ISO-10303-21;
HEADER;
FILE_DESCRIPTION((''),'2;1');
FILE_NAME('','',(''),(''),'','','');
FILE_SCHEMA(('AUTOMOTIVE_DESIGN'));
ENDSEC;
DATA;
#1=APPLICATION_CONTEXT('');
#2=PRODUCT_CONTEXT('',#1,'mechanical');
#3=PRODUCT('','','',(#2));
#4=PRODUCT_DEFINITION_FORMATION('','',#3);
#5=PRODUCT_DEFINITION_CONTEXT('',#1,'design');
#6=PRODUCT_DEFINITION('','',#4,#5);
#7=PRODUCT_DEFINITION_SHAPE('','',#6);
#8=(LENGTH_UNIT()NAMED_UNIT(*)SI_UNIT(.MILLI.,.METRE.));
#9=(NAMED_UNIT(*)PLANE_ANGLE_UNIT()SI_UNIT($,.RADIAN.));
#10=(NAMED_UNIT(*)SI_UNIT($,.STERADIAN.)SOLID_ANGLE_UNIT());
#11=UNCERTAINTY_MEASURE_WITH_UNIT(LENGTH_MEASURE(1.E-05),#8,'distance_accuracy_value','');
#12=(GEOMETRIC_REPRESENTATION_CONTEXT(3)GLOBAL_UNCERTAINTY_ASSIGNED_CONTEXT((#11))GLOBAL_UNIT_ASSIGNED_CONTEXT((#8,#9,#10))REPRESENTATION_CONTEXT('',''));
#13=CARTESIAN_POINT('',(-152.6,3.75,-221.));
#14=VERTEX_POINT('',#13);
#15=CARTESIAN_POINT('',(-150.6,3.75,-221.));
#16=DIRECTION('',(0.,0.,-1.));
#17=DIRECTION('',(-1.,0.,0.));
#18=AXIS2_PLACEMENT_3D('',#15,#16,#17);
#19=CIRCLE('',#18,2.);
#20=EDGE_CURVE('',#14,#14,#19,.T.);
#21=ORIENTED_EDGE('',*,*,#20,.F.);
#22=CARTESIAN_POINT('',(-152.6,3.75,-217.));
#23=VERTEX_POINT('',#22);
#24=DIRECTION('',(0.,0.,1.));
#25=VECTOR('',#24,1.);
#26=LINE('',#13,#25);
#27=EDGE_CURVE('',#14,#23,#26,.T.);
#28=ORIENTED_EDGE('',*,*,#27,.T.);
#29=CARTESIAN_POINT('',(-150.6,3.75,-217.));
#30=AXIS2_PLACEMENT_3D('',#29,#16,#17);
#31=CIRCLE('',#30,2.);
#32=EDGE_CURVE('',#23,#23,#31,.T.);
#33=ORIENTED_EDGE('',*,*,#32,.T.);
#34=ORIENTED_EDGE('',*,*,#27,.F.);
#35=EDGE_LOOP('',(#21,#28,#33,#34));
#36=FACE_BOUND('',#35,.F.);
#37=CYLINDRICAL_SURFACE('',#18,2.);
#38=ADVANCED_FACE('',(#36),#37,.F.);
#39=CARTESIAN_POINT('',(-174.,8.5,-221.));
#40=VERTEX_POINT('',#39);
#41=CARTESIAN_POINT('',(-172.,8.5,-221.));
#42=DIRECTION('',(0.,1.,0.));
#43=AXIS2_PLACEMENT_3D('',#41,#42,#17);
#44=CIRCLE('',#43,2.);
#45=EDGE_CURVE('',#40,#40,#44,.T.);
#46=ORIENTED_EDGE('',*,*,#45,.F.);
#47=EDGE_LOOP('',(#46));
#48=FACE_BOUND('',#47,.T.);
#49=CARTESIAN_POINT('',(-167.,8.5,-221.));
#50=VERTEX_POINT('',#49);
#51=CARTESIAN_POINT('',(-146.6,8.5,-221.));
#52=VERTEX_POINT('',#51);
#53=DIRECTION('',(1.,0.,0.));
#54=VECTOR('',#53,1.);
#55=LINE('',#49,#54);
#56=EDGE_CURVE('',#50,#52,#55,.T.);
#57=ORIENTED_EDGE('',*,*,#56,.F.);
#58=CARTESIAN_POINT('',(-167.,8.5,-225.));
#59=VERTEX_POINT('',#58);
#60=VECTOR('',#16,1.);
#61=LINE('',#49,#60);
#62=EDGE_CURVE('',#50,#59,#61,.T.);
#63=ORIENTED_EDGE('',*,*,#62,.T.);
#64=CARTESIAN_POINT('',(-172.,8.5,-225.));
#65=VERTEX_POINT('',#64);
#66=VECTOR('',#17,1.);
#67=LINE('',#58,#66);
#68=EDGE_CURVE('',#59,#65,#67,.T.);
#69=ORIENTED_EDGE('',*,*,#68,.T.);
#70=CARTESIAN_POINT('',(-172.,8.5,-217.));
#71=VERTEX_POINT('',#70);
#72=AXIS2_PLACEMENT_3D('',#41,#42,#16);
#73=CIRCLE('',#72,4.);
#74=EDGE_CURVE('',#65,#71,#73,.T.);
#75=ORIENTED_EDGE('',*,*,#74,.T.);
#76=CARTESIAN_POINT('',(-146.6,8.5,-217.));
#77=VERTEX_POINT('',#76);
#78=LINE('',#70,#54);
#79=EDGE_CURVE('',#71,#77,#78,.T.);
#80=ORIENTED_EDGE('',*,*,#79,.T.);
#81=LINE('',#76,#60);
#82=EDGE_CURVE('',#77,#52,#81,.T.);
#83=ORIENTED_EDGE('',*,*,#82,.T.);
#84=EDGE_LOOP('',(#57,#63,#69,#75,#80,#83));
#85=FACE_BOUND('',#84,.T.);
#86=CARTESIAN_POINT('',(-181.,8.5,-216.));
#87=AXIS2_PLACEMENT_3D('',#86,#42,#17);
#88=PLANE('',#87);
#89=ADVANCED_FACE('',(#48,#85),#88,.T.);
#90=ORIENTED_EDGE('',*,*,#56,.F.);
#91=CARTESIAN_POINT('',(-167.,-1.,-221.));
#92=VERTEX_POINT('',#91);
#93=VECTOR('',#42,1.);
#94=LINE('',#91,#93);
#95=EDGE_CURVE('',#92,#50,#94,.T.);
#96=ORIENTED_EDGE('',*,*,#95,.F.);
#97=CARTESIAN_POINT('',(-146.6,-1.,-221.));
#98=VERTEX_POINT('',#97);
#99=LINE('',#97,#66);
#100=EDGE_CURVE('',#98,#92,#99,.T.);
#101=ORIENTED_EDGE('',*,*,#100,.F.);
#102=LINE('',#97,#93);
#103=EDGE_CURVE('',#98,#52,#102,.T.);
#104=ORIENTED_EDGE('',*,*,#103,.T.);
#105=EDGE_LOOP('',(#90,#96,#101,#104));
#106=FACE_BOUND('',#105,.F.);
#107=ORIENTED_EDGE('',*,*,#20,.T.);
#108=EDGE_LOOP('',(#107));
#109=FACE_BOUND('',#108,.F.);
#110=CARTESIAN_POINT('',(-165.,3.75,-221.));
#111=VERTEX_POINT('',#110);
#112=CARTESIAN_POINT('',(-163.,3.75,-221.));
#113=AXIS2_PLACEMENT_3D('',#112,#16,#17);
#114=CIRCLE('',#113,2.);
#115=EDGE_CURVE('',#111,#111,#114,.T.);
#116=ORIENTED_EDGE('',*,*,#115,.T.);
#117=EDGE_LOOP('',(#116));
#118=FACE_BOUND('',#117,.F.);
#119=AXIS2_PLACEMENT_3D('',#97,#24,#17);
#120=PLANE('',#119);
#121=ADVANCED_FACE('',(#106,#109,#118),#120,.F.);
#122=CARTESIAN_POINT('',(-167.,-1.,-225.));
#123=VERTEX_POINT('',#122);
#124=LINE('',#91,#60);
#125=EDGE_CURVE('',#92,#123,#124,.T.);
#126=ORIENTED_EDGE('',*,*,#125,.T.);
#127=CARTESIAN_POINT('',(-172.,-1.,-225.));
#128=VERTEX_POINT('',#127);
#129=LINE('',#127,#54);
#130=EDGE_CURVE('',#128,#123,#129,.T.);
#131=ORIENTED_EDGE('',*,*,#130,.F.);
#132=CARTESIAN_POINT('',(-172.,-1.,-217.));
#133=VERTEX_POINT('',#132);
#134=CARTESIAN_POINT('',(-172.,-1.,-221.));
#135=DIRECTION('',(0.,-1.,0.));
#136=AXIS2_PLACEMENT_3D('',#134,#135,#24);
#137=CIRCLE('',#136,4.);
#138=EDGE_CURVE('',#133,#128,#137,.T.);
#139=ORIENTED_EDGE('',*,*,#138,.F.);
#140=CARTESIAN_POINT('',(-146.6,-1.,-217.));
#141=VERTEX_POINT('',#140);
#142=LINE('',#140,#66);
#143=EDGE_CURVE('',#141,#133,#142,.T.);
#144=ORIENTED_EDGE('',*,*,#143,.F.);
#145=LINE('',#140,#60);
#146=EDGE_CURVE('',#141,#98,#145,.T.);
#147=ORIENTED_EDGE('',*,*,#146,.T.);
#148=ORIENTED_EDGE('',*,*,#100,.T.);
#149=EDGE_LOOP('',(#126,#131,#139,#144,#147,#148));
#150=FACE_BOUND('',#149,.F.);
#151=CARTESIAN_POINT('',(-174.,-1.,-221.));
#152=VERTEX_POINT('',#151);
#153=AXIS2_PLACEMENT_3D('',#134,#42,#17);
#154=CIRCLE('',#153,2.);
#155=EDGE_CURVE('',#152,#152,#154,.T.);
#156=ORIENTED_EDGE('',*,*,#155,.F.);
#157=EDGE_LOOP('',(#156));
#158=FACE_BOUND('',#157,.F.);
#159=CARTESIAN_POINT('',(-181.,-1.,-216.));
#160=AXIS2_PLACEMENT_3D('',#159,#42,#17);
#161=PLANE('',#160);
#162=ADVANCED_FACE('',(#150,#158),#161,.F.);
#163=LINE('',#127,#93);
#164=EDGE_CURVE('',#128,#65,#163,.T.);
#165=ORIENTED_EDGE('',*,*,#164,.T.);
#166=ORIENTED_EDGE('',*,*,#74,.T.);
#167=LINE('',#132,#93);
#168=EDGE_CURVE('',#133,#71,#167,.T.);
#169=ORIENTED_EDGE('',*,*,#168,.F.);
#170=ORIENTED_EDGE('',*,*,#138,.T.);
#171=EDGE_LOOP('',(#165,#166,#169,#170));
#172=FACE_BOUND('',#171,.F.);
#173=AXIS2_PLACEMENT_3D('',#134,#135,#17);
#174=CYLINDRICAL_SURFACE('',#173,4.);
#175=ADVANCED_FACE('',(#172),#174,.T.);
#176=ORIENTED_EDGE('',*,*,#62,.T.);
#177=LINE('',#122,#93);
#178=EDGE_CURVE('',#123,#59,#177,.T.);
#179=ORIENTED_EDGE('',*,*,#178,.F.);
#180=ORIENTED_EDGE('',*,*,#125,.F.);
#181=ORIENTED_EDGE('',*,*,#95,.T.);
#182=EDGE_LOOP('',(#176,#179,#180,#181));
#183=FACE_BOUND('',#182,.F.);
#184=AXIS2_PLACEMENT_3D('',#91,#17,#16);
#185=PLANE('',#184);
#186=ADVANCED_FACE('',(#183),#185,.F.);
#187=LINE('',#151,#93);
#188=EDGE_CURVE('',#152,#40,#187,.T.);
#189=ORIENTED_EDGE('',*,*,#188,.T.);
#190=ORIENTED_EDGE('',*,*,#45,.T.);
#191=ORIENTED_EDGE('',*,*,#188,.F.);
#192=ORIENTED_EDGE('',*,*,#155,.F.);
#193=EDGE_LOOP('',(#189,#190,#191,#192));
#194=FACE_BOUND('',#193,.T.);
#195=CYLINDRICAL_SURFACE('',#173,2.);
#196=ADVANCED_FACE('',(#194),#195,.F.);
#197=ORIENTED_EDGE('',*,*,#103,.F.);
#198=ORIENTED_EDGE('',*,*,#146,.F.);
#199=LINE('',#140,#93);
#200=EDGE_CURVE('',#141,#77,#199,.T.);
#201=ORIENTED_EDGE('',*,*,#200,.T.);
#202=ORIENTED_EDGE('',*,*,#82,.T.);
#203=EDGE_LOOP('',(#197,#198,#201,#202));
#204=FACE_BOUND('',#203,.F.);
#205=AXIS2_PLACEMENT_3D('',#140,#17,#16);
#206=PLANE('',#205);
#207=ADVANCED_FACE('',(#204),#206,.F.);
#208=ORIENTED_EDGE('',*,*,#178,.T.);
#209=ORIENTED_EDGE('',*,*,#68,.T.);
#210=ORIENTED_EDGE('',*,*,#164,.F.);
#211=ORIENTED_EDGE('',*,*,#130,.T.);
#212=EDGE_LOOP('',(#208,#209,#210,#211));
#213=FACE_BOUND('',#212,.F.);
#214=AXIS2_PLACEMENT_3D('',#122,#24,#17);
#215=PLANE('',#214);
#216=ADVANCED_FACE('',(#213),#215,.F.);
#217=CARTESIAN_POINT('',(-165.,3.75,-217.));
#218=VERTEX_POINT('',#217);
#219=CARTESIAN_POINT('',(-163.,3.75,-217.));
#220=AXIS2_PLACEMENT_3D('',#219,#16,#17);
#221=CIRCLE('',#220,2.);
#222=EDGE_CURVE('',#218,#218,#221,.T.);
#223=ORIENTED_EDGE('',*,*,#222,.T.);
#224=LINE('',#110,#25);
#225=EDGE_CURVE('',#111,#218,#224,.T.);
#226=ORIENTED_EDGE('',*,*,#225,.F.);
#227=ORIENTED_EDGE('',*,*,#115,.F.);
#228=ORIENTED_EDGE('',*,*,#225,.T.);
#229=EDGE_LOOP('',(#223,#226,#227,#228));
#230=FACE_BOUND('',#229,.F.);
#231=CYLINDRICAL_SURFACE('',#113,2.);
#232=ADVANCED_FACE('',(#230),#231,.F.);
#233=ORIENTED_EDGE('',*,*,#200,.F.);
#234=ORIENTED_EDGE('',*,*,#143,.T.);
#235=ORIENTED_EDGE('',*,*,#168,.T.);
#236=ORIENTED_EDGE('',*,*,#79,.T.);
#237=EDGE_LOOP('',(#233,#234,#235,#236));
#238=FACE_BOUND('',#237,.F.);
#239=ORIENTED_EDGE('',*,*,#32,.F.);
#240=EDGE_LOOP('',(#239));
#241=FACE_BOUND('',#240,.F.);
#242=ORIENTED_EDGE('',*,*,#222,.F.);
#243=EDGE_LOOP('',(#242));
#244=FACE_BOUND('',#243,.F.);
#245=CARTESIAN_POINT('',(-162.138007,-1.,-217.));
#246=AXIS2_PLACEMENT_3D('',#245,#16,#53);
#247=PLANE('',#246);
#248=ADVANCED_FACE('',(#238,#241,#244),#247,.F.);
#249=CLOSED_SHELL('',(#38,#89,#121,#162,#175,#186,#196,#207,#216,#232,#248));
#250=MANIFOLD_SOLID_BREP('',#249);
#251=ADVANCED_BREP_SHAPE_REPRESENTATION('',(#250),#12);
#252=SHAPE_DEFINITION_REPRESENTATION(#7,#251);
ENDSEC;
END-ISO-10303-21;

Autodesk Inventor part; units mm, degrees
ref_plane "YZ Plane" through (0, 0, 0) normal (1, 0, 0) x (0, 1, 0)
ref_plane "XZ Plane" through (0, 0, 0) normal (0, 1, 0) x (-1, 0, 0)
ref_plane "XY Plane" through (0, 0, 0) normal (0, 0, 1) x (1, 0, 0)
ref_plane "Work Plane1" through (-181, -1, -216) normal (0, 1, 0) x (-1, 0, 0)
sketch "Sketch1" plane through (-181, -1, -216) normal (0, 1, 0) x (-1, 0, 0)
  circle A0 centre (-9, -5) radius 2 projected
  arc A1 (-18, -6.825) -> (-14.825, -10) centre (-14.825, -6.825) ccw projected
  line L0 (-3.175, -10) -> (-14.825, -10) projected
  arc A2 (-3.175, -10) -> (0, -6.825) centre (-3.175, -6.825) ccw projected
  line L1 (0, -3.175) -> (0, -6.825) projected
  arc A3 (3.175, 0) -> (0, -3.175) centre (3.175, -3.175) ccw projected
  line L2 (-21.175, 0) -> (3.175, 0) projected
  arc A4 (-18, -3.175) -> (-21.175, 0) centre (-21.175, -3.175) ccw projected
  line L3 (-18, -3.175) -> (-18, -6.825) projected
  circle A5 centre (-9, -5) radius 5
  circle A6 centre (-9, -5) radius 4
  line L4 (-9, -1) -> (-34.4, -1)
  line L5 (-34.4, -1) -> (-34.4, -5)
  line L6 (-34.4, -5) -> (-14, -5)
  line L7 (-14, -5) -> (-14, -9)
  line L8 (-14, -9) -> (-9, -9)
  point P0 (-181, 216)
  dimension "d0" = 1
  dimension "d1" = 5
  dimension "d2" = 25.4
extrude "Extrusion1" add sketch "Sketch1" along normal blind 9.5 contours L6 L5 L4 A4 L3 | L3 A4 L4 A5 L6 | A5 L4 A6 L8 | A5 L8 L7 | A6 picked at (-12.1637, -8.3993)
sketch "Sketch2" plane through (-146.6, -1, -221) normal (0, 0, -1) x (-1, 0, 0)
  line L0 (0, 0) -> (20.4, 0) projected
  line L1 (20.4, 0) -> (20.4, 9.5) projected
  line L2 (0, 9.5) -> (20.4, 9.5) projected
  line L3 (0, 0) -> (0, 9.5) projected
  circle A0 centre (4, 4.75) radius 2
  circle A1 centre (16.4, 4.75) radius 2
  point P0 (-146.6, 1)
  dimension "d5" = 4
  dimension "d6" = 4
  dimension "d7" = 4
  dimension "d8" = 4
  dimension "d9" = 4.75
  dimension "d10" = 4.75
extrude "Extrusion2" cut sketch "Sketch2" against normal blind 9.5 contours A0 | A1
properties part number "flappythingadaptor"
